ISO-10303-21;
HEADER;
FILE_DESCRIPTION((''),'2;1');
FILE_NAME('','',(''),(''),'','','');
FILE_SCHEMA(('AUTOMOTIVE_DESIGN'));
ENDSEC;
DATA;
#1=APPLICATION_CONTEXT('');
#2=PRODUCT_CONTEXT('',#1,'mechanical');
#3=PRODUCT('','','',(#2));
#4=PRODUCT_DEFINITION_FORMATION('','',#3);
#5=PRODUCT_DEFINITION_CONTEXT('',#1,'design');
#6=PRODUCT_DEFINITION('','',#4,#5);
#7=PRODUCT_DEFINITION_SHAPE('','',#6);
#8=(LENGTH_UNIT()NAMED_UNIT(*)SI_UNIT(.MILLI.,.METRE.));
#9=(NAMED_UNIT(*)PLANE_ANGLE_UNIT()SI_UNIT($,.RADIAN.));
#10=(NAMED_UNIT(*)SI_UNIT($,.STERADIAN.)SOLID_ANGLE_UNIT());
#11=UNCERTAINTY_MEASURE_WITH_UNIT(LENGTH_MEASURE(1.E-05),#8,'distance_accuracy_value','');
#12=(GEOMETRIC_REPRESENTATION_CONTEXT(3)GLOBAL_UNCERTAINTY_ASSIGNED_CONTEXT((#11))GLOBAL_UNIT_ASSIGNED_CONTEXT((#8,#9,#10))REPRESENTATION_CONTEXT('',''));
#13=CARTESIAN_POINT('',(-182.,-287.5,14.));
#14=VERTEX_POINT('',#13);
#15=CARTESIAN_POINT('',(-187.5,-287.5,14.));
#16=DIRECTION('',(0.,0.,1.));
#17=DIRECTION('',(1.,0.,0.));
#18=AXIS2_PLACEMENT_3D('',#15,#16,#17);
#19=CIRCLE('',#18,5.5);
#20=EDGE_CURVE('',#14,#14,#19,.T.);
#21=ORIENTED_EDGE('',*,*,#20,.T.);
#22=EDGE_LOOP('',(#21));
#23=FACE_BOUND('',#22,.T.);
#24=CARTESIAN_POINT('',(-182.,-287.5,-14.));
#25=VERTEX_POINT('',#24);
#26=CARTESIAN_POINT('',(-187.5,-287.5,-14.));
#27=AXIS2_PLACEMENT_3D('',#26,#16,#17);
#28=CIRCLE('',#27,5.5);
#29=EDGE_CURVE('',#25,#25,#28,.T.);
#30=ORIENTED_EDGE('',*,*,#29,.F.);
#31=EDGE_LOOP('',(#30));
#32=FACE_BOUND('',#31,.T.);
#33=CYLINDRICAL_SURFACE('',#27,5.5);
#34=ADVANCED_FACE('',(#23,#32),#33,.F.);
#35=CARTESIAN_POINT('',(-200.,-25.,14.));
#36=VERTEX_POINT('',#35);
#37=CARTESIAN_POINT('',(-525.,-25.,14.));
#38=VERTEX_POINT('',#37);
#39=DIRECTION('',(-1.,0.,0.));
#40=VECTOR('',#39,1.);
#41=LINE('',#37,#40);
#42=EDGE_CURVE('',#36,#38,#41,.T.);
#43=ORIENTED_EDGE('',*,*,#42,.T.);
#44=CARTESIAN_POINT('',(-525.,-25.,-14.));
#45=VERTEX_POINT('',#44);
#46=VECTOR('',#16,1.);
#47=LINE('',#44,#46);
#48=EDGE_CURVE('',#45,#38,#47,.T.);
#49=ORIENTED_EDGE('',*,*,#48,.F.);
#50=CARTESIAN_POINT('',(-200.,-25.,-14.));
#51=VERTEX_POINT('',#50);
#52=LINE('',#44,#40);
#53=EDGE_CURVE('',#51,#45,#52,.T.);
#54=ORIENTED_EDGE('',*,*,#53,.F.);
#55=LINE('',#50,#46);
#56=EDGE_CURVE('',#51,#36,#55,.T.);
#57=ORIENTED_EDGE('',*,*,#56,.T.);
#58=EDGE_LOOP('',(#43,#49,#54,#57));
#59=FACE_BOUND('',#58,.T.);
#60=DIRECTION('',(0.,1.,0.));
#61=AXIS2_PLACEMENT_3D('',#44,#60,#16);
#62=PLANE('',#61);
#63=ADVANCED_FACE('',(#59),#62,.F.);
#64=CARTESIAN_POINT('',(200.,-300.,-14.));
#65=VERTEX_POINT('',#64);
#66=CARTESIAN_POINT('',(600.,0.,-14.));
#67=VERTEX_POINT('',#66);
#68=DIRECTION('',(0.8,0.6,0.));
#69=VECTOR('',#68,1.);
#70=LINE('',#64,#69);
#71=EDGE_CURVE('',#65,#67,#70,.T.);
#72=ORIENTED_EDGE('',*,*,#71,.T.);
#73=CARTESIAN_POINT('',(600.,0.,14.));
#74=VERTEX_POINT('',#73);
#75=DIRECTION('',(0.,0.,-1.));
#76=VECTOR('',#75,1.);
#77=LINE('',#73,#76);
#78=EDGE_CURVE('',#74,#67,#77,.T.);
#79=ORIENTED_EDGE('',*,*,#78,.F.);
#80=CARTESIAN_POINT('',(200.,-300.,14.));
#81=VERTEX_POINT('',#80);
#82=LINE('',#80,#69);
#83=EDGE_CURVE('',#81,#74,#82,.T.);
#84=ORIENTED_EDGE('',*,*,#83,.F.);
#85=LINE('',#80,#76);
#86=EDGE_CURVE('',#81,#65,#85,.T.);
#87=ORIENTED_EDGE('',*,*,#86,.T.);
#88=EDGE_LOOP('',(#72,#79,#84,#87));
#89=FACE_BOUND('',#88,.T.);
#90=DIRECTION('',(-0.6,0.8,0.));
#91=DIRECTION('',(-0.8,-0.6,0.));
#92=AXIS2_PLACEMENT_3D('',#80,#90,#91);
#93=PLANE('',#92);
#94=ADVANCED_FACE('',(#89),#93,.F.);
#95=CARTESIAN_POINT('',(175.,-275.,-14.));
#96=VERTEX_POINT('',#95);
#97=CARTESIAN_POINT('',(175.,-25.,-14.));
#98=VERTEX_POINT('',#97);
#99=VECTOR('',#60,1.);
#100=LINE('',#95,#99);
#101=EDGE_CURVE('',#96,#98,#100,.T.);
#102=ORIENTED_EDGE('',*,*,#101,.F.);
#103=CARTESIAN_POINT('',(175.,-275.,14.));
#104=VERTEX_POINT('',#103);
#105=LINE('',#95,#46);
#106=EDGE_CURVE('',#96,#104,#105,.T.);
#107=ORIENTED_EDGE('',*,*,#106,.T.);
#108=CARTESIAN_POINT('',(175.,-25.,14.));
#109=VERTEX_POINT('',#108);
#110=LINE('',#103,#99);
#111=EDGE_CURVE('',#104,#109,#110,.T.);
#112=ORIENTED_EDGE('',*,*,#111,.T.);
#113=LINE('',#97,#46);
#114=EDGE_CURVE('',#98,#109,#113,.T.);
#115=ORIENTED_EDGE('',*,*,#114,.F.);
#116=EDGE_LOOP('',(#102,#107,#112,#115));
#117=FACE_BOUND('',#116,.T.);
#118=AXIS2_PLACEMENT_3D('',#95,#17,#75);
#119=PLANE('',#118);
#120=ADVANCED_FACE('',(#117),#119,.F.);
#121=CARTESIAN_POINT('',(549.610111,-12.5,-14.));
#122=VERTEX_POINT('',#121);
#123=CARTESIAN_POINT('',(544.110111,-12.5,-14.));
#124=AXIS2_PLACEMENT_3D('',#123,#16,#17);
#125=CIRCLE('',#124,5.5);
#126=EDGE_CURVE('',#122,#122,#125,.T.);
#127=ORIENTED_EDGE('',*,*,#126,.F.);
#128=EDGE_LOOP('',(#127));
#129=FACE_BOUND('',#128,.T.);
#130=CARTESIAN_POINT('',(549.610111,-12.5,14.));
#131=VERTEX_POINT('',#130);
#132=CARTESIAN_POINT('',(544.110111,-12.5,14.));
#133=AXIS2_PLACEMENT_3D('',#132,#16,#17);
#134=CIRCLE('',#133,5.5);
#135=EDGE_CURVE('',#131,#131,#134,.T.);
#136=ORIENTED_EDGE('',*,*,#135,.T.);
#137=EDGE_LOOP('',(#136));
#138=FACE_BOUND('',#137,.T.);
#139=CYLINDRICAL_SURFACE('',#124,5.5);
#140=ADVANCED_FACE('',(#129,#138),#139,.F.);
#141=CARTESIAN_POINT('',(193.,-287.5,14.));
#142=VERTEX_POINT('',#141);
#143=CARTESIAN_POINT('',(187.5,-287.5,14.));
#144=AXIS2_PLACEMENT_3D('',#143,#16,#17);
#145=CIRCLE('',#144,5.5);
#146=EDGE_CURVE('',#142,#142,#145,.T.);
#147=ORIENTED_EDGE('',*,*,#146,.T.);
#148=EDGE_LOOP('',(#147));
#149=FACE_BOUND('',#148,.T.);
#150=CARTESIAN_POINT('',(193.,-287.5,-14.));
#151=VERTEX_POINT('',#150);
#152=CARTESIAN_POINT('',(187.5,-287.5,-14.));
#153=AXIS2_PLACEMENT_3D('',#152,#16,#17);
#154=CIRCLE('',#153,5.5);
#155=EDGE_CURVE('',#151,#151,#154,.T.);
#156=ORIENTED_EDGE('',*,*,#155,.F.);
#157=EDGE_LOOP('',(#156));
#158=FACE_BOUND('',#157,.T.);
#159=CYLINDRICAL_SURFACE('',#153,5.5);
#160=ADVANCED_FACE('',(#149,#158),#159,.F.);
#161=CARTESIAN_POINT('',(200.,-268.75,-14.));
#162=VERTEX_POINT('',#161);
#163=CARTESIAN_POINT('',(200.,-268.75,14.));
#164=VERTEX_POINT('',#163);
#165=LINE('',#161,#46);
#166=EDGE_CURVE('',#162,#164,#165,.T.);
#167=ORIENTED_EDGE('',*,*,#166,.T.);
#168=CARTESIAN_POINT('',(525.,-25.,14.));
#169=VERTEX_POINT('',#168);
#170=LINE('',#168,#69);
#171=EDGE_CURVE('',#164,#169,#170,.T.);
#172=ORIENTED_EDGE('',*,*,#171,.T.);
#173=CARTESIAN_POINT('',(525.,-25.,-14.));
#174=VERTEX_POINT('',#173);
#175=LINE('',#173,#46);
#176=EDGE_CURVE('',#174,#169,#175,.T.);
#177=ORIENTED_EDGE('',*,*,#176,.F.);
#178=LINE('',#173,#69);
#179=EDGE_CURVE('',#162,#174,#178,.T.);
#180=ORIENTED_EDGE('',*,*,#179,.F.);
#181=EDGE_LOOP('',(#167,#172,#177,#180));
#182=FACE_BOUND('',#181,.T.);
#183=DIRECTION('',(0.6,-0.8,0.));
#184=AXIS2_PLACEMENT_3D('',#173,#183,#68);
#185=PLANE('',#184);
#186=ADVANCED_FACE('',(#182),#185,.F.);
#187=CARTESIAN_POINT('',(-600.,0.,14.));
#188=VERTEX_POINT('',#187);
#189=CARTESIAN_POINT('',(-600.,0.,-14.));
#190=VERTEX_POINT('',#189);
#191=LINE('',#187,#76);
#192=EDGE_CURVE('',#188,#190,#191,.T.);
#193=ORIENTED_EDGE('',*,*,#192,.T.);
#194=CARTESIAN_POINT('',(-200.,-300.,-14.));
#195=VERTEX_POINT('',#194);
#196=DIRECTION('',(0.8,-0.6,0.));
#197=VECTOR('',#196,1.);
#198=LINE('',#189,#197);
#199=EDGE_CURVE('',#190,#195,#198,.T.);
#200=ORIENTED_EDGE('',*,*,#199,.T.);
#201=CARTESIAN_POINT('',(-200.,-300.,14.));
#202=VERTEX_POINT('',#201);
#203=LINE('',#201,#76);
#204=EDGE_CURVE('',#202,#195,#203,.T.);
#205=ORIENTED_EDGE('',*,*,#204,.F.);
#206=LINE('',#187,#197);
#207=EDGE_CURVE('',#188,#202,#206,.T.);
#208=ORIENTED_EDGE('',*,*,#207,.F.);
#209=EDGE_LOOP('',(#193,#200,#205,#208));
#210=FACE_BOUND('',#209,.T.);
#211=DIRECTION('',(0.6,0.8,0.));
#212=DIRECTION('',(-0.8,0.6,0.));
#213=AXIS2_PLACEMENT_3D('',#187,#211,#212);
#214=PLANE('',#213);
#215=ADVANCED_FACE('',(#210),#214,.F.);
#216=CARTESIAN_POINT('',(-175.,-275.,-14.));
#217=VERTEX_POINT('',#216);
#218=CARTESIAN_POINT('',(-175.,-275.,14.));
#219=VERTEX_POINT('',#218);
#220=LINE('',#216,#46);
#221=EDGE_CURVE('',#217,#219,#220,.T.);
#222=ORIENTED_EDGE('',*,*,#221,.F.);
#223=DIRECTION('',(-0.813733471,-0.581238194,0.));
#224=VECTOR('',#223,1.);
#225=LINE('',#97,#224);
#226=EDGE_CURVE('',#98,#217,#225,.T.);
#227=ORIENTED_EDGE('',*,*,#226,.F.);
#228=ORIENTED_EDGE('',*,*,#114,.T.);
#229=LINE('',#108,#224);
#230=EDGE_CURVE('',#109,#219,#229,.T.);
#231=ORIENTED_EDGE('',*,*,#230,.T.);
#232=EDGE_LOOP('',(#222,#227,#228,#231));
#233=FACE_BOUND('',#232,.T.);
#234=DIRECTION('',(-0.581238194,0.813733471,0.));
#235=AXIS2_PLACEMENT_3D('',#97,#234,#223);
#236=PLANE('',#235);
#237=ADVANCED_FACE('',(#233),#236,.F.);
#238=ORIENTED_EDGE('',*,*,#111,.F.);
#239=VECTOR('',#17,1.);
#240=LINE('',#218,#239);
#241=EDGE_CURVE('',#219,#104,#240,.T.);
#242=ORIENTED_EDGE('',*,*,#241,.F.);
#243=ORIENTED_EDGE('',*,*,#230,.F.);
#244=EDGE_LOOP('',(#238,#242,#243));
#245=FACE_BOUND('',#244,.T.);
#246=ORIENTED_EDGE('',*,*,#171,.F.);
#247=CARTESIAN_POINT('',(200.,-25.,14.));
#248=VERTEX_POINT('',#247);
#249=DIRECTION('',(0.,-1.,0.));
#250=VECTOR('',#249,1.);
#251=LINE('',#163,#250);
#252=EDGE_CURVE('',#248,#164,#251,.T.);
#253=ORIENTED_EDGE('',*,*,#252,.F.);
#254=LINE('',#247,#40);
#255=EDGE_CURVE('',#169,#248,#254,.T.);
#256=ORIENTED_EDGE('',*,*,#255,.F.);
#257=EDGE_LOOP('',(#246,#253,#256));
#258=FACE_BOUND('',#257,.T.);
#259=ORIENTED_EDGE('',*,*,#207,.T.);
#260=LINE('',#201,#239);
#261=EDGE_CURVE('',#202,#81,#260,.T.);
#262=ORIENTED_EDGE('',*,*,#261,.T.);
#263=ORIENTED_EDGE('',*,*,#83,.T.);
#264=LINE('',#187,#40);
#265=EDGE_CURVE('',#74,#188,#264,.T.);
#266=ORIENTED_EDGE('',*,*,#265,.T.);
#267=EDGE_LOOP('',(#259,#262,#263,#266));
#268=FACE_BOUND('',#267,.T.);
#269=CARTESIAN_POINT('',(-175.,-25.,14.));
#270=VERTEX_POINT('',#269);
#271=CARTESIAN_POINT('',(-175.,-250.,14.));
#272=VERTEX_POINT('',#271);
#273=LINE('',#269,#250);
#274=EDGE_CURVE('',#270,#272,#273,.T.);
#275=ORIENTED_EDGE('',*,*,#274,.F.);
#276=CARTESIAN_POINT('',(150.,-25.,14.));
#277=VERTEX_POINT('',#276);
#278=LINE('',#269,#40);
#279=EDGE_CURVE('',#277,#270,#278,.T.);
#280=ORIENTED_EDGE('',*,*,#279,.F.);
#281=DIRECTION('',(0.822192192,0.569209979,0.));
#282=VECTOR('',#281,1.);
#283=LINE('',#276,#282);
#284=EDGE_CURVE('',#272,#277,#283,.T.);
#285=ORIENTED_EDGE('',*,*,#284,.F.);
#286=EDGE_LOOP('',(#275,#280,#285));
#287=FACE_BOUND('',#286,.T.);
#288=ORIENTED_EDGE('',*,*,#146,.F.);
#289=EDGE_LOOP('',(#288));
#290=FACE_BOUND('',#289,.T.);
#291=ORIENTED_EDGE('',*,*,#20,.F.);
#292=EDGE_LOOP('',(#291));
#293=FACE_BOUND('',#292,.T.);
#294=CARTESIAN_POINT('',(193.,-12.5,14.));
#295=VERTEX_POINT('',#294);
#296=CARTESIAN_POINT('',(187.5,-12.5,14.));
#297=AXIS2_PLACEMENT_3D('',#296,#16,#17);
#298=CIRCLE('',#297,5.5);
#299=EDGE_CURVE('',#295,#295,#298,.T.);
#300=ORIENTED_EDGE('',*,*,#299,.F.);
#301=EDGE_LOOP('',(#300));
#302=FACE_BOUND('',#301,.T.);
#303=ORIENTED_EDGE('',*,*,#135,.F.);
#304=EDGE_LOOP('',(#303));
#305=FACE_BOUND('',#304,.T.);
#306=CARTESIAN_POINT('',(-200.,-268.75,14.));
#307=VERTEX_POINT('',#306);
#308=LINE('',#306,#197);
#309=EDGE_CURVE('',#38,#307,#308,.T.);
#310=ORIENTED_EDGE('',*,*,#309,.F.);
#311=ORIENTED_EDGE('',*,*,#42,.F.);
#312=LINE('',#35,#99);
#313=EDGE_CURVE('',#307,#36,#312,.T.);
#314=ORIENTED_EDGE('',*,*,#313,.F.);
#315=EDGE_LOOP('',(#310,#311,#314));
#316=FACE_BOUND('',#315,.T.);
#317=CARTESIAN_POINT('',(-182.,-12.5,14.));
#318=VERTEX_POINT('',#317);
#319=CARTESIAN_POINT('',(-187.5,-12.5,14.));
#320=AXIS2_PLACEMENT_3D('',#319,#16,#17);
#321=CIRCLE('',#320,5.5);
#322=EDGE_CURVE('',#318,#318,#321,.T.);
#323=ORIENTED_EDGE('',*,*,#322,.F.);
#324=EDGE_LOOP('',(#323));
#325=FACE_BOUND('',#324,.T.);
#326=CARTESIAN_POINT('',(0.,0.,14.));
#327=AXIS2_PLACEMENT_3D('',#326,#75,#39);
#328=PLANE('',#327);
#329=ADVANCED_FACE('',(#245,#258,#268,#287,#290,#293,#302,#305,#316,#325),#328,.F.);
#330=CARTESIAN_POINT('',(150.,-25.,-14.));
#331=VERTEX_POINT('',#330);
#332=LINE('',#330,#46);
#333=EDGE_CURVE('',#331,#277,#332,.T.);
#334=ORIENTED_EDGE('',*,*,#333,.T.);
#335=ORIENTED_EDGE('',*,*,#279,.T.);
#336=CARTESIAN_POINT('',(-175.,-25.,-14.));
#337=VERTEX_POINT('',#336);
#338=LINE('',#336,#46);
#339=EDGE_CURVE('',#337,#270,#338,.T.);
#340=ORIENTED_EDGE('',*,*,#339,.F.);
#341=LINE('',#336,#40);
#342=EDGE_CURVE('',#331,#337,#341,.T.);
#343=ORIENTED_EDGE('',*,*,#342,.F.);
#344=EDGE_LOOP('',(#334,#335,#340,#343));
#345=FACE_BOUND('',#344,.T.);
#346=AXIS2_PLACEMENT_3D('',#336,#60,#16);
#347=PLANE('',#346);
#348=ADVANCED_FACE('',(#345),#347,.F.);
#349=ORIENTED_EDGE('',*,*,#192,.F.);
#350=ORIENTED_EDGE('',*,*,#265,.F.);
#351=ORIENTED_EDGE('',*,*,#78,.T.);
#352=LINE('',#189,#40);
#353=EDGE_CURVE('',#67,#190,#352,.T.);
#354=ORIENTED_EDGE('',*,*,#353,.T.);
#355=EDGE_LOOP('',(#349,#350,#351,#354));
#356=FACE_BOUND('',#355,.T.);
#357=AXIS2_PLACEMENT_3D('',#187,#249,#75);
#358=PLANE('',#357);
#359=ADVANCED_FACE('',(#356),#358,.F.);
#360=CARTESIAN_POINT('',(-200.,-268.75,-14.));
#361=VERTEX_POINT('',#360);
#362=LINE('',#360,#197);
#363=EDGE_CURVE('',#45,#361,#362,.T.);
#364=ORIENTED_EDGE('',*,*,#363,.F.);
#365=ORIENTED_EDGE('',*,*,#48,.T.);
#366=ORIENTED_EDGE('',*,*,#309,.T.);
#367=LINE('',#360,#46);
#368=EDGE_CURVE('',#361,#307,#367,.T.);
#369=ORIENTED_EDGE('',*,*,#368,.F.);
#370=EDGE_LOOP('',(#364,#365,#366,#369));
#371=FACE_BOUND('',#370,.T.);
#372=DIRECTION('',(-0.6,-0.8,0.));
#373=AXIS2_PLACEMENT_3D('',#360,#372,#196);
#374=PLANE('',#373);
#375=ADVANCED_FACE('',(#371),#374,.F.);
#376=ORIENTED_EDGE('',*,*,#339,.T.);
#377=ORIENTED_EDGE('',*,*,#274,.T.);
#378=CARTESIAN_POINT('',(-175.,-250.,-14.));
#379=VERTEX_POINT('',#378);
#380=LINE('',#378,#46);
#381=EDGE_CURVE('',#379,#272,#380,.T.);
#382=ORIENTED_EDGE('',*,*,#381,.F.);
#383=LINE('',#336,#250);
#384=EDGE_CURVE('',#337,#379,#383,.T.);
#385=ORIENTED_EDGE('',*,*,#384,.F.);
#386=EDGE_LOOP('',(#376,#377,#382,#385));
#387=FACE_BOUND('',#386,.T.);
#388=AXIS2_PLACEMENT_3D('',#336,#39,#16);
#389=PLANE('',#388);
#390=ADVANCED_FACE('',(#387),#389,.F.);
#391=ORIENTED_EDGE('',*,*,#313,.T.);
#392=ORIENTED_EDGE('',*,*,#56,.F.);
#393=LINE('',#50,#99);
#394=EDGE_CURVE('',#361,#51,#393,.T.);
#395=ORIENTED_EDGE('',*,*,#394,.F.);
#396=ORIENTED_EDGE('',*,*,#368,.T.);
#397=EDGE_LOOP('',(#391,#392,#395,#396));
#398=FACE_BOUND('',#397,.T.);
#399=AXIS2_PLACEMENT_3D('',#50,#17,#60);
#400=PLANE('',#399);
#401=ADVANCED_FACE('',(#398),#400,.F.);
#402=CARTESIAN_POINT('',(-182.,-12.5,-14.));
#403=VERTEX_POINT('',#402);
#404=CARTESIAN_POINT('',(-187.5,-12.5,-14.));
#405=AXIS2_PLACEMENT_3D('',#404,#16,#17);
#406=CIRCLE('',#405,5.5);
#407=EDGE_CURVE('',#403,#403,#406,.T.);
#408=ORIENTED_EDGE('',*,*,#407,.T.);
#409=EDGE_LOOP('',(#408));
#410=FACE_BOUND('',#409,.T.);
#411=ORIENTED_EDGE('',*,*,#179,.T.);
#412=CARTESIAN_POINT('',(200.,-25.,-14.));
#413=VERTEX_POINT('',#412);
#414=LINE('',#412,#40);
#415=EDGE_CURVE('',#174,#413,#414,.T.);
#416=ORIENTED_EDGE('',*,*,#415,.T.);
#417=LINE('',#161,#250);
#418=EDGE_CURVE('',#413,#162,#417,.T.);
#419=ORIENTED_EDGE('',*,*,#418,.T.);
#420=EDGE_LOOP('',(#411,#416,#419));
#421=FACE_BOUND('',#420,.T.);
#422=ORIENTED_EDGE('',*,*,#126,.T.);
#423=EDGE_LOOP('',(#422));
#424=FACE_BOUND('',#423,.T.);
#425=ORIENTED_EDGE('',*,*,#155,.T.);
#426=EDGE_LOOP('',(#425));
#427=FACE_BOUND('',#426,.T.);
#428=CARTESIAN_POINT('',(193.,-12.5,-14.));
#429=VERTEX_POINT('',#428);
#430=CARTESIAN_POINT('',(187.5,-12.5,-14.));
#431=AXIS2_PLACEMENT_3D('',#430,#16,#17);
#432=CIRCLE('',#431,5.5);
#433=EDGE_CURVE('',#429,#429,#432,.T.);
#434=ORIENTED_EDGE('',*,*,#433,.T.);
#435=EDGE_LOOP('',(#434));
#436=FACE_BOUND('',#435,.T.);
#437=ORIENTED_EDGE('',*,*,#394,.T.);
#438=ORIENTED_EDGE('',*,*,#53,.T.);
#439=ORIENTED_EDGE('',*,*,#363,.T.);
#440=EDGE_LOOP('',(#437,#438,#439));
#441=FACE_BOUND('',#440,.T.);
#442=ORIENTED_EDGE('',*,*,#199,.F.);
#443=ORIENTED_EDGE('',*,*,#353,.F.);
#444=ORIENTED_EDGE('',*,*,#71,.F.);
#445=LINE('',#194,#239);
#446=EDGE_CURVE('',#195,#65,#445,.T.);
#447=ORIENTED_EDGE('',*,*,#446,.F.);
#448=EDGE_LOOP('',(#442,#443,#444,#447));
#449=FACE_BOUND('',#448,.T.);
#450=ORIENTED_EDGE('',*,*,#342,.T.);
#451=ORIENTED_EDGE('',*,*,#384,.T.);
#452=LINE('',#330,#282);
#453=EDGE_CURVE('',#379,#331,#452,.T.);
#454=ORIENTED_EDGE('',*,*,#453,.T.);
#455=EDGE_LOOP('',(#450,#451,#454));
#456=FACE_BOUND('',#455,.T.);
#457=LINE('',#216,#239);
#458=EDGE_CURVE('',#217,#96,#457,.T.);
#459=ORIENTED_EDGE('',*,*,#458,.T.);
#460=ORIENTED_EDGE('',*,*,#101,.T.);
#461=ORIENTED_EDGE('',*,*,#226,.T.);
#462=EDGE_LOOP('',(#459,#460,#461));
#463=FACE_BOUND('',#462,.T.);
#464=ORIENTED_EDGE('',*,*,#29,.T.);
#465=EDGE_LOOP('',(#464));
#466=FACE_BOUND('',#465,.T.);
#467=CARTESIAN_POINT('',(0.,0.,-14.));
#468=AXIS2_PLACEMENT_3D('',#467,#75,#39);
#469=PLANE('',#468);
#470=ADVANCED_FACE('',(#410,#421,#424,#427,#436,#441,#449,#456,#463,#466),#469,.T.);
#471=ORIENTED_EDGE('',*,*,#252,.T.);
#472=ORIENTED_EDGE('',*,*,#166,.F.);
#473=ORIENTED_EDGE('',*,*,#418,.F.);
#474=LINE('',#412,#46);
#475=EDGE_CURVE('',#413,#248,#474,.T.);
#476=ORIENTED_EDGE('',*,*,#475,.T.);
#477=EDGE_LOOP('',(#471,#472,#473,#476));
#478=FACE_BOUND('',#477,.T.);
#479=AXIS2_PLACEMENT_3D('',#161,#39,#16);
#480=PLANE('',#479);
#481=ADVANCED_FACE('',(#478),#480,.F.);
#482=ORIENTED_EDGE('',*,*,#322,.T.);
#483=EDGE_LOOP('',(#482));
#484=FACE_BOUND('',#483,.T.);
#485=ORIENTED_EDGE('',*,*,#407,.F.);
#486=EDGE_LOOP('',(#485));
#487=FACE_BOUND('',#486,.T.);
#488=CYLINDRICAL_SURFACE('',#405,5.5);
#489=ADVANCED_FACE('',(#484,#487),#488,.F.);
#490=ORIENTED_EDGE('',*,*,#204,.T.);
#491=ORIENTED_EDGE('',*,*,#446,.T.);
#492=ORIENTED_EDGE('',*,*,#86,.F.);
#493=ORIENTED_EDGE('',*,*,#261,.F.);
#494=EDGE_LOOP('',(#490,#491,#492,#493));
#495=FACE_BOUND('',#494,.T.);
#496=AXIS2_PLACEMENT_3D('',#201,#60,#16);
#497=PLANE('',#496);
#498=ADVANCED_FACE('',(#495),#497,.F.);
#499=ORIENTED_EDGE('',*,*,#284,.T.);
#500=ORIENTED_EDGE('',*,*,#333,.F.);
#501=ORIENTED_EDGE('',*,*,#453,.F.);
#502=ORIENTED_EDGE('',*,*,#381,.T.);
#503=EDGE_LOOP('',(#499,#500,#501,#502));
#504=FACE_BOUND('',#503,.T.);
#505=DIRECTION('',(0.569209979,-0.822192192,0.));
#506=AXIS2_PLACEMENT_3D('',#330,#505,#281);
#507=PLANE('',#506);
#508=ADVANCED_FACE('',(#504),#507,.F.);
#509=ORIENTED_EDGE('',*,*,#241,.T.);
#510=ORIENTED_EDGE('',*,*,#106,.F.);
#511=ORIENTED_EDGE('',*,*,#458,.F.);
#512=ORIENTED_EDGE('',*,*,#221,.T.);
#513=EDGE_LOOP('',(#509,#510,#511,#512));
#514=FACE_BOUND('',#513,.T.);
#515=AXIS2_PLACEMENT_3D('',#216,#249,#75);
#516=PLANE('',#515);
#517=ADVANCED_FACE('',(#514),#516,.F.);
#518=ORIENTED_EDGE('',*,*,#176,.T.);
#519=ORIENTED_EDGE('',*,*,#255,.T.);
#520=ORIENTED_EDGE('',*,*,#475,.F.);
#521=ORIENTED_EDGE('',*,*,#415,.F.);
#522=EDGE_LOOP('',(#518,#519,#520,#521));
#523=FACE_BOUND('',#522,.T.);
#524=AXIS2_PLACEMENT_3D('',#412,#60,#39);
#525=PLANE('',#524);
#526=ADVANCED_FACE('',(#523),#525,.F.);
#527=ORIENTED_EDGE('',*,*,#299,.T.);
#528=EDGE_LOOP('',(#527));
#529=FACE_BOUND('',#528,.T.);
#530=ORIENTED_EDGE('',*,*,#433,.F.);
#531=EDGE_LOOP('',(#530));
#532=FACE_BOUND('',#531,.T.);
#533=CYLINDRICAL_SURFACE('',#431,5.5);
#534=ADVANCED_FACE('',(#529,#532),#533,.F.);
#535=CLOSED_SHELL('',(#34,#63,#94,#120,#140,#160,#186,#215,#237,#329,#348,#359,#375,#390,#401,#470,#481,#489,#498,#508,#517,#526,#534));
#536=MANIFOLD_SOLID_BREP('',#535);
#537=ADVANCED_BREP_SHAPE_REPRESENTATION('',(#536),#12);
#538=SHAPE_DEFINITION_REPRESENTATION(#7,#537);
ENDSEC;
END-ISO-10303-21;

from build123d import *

# Parameters (mm, degrees)
BOSS_EXTRUDE1_DEPTH = 14
CUT_EXTRUDE1_DEPTH  = 28
CUT_EXTRUDE2_DEPTH  = 28
CUT_EXTRUDE3_DEPTH  = 28
SKETCH5_R           = 5.5
CUT_EXTRUDE4_DEPTH  = 28


with BuildPart() as part:
    # Sketch1 → Boss-Extrude1 (new, symmetric)
    with BuildSketch(Plane.XY):
        Polygon((-600, 0), (600, 0), (200, -300), (-200, -300), align=None)
    extrude(amount=BOSS_EXTRUDE1_DEPTH, both=True)

    # Sketch2 → Cut-Extrude1 (cut)
    with BuildSketch(Plane.XY.offset(14)):
        Polygon((-175, -275), (175, -275), (175, -25), align=None)
        Polygon((-175, -25), (-175, -250), (150, -25), align=None)
    extrude(amount=-CUT_EXTRUDE1_DEPTH, mode=Mode.SUBTRACT)

    # Sketch3 → Cut-Extrude2 (cut)
    with BuildSketch(Plane.XY.offset(14)):
        Polygon((-525, -25), (-200, -25), (-200, -268.75), align=None)
    extrude(amount=-CUT_EXTRUDE2_DEPTH, mode=Mode.SUBTRACT)

    # Sketch4 → Cut-Extrude3 (cut)
    with BuildSketch(Plane.XY.offset(14)):
        Polygon((200, -25), (525, -25), (200, -268.75), align=None)
    extrude(amount=-CUT_EXTRUDE3_DEPTH, mode=Mode.SUBTRACT)

    # Sketch5 → Cut-Extrude4 (cut)
    with BuildSketch(Plane.XY.offset(14)):
        with Locations((-187.5, -12.5)):
            Circle(SKETCH5_R)
        with Locations((-187.5, -287.5)):
            Circle(SKETCH5_R)
        with Locations((187.5, -287.5)):
            Circle(SKETCH5_R)
        with Locations((187.5, -12.5)):
            Circle(SKETCH5_R)
        with Locations((544.11011126, -12.5)):
            Circle(SKETCH5_R)
    extrude(amount=-CUT_EXTRUDE4_DEPTH, mode=Mode.SUBTRACT)


solid = part.part
